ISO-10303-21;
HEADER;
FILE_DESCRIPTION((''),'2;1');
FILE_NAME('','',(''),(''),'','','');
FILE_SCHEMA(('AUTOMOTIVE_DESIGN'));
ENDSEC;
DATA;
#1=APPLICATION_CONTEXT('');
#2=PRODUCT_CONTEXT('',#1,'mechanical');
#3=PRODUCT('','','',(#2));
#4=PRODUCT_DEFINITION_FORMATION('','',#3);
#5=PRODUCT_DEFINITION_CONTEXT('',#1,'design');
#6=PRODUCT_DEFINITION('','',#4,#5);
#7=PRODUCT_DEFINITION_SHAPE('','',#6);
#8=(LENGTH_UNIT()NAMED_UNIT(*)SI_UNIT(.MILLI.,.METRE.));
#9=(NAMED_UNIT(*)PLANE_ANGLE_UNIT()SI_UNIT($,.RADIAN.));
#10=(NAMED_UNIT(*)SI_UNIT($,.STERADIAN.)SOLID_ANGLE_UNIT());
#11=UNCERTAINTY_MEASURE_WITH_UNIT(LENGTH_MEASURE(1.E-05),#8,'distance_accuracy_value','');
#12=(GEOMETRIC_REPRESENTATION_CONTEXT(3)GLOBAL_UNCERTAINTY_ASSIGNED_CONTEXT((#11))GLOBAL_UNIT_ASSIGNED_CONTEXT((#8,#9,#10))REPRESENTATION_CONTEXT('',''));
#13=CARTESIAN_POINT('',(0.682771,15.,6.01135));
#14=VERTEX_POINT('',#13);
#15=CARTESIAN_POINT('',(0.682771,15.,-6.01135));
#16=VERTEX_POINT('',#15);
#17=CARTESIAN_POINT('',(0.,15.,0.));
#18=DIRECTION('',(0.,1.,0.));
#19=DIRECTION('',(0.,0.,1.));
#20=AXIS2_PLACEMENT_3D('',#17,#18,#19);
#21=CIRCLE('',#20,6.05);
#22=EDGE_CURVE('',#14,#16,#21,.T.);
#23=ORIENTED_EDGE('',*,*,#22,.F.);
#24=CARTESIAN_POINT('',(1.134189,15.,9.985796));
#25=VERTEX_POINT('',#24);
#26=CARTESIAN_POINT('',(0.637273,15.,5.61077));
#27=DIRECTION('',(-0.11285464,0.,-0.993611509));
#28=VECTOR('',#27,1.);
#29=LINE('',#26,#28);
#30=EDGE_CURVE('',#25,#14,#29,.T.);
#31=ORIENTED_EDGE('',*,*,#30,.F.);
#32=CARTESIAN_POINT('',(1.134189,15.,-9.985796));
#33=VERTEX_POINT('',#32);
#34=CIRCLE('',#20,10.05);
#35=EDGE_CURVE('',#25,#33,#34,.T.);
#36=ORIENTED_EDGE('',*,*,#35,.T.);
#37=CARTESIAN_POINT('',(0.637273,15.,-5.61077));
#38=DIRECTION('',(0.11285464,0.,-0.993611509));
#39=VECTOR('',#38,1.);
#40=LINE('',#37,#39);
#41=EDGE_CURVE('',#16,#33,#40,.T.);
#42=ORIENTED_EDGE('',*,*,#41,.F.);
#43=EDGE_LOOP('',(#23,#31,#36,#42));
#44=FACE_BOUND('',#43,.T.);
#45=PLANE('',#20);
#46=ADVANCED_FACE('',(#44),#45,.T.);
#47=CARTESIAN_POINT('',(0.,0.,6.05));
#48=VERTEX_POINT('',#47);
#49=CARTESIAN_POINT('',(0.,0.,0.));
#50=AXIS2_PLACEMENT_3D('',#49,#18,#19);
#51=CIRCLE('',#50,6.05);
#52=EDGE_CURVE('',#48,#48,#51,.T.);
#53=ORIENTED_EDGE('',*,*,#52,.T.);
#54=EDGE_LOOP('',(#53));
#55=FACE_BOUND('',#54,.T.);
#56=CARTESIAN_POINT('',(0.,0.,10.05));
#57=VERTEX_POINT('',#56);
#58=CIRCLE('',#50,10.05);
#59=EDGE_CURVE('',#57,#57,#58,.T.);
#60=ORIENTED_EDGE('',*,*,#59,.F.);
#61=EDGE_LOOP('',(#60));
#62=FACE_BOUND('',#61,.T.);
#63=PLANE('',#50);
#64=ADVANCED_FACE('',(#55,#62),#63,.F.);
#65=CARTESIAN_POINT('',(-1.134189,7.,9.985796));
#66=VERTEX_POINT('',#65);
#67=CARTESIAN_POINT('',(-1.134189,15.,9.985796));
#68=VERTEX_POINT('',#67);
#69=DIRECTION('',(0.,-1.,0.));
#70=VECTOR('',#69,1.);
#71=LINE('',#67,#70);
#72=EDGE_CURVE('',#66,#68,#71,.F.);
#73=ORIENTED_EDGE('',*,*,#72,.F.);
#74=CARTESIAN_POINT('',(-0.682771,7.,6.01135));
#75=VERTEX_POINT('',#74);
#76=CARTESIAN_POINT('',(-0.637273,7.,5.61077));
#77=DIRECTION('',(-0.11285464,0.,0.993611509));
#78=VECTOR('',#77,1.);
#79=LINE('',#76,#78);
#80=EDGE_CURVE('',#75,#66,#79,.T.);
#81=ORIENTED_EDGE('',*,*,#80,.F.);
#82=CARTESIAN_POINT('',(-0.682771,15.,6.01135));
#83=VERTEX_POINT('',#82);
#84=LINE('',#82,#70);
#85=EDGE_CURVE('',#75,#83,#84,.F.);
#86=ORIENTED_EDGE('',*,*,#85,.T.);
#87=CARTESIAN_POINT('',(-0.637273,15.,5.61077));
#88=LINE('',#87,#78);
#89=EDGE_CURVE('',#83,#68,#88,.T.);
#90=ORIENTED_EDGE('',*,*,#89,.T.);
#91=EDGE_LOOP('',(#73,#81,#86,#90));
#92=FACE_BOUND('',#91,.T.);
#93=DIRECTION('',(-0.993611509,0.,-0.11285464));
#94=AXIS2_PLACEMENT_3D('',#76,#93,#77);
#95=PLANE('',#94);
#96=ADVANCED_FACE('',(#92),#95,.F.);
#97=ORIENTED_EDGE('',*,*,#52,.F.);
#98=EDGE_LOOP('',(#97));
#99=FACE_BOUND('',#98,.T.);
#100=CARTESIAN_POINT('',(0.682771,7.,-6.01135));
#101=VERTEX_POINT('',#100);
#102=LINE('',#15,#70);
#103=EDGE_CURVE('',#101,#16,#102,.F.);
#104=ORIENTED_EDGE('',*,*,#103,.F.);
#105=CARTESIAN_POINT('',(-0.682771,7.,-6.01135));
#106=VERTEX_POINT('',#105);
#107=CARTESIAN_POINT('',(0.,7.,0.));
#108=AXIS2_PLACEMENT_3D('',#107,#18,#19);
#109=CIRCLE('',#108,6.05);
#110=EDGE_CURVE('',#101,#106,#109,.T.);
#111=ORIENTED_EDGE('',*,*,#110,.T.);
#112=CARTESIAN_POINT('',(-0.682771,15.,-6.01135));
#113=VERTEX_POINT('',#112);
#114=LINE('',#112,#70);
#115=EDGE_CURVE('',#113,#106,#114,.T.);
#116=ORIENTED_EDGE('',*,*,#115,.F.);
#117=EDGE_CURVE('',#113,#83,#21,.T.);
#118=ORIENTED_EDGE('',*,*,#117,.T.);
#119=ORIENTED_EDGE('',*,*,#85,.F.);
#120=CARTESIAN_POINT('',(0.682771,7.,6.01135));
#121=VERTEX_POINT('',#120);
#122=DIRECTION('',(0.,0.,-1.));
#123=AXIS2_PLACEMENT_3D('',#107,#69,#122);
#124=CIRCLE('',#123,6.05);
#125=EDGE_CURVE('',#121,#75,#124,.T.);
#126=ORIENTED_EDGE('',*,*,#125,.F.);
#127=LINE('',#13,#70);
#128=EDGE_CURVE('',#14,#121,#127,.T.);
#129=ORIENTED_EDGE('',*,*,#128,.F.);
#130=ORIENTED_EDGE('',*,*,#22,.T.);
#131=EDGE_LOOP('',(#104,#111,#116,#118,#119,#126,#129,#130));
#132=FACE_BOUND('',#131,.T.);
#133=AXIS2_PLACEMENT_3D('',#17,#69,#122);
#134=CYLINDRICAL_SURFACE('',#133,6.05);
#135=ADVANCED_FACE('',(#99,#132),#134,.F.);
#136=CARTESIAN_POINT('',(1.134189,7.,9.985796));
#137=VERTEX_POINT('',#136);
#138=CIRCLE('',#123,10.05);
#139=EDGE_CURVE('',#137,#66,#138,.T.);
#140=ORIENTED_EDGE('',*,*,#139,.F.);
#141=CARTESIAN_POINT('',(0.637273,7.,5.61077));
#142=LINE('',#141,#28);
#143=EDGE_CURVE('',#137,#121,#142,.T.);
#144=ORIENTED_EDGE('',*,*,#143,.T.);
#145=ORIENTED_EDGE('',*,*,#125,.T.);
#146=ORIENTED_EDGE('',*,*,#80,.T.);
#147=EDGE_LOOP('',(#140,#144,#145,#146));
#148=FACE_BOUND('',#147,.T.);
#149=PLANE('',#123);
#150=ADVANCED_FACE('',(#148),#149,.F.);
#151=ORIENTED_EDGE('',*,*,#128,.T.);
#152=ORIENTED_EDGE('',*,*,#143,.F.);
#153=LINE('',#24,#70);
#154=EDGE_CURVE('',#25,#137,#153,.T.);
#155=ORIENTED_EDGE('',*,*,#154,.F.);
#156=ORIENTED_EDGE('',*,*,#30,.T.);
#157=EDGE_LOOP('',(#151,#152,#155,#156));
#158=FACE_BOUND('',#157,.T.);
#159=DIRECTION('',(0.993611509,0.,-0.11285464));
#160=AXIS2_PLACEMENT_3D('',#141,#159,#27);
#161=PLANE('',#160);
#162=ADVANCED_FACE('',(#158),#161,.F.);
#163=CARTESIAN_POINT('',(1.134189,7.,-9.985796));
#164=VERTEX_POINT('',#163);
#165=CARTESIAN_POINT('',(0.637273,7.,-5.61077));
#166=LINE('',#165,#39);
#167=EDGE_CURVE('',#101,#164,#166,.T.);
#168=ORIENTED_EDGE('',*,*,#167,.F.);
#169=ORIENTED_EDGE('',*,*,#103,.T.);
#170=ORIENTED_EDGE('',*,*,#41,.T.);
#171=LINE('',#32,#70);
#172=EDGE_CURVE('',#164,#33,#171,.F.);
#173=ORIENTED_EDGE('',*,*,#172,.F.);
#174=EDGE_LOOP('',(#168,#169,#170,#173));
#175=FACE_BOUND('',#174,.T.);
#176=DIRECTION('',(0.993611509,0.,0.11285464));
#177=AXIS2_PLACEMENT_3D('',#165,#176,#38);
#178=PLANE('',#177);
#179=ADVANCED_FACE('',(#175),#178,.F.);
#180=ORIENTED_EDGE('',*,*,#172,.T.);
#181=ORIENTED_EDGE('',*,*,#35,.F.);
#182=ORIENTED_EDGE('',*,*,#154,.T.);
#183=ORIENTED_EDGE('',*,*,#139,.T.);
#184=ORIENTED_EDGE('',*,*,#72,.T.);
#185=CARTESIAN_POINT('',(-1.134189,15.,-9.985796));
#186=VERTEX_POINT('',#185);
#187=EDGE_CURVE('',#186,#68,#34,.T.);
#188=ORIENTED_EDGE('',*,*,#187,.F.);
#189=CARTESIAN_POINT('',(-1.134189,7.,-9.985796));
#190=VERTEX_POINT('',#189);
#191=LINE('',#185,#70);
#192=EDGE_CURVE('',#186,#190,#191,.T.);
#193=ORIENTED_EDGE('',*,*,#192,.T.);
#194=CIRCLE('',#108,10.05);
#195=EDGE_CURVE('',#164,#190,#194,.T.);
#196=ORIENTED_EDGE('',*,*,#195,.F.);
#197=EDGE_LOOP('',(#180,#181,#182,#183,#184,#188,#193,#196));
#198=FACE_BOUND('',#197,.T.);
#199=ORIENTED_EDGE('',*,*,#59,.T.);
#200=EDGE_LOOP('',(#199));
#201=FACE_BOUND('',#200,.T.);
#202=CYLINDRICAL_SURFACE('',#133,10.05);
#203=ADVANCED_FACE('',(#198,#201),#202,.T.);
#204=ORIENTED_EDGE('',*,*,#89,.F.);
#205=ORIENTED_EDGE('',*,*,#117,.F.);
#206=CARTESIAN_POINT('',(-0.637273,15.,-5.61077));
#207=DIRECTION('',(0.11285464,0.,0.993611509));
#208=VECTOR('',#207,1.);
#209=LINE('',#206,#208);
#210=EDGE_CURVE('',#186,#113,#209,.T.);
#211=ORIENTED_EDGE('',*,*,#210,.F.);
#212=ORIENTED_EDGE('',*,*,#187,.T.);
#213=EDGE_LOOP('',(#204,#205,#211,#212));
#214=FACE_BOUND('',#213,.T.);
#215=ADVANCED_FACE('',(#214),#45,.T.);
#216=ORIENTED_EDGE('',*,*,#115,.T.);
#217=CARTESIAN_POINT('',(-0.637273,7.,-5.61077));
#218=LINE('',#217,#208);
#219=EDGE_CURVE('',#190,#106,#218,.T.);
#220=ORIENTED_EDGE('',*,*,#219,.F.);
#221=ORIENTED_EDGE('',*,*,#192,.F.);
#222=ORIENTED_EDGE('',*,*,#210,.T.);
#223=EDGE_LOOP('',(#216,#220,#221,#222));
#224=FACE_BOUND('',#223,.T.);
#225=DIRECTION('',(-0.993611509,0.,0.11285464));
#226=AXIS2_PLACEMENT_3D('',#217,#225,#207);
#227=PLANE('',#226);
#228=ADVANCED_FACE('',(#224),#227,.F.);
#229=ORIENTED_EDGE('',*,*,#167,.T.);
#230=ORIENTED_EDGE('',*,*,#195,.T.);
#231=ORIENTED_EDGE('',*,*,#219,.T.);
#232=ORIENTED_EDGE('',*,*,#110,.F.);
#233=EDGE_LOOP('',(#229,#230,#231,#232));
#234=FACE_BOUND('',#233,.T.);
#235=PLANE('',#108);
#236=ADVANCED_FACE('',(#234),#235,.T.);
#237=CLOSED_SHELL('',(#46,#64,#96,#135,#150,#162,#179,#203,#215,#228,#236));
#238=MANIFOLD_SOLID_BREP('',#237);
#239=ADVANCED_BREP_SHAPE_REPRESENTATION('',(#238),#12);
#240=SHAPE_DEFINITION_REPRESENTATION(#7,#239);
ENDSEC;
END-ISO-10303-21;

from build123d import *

# Parameters (mm, degrees)
SKETCH1_R           = 10.05
SKETCH1_R_2         = 6.05
BOSS_EXTRUDE1_DEPTH = 15
CUT_EXTRUDE2_DEPTH  = 8


with BuildPart() as part:
    # Sketch1 → Boss-Extrude1 (new body)
    with BuildSketch(Plane(origin=(0, 0, 0), x_dir=(1, 0, 0), z_dir=(0, 1, 0))):
        with Locations(Location((0, 0, 0), (0, 0, 270))):
            Circle(SKETCH1_R)
        with Locations(Location((0, 0, 0), (0, 0, 270))):
            Circle(SKETCH1_R_2, mode=Mode.SUBTRACT)
    extrude(amount=BOSS_EXTRUDE1_DEPTH)

    # Sketch6 → Cut-Extrude2 (cut)
    with BuildSketch(Plane(origin=(0, 15, 0), x_dir=(1, 0, 0), z_dir=(0, 1, 0))):
        Polygon((-0.637272671, 5.61077026), (0.637272671, 5.61077026), (1.215708589, 10.703521268), (-1.215708589, 10.703521268), align=None)
        Polygon((-0.637272671, -5.61077026), (-1.215708589, -10.703521268), (1.215708589, -10.703521268), (0.637272671, -5.61077026), align=None)
    extrude(amount=-CUT_EXTRUDE2_DEPTH, mode=Mode.SUBTRACT)


solid = part.part
